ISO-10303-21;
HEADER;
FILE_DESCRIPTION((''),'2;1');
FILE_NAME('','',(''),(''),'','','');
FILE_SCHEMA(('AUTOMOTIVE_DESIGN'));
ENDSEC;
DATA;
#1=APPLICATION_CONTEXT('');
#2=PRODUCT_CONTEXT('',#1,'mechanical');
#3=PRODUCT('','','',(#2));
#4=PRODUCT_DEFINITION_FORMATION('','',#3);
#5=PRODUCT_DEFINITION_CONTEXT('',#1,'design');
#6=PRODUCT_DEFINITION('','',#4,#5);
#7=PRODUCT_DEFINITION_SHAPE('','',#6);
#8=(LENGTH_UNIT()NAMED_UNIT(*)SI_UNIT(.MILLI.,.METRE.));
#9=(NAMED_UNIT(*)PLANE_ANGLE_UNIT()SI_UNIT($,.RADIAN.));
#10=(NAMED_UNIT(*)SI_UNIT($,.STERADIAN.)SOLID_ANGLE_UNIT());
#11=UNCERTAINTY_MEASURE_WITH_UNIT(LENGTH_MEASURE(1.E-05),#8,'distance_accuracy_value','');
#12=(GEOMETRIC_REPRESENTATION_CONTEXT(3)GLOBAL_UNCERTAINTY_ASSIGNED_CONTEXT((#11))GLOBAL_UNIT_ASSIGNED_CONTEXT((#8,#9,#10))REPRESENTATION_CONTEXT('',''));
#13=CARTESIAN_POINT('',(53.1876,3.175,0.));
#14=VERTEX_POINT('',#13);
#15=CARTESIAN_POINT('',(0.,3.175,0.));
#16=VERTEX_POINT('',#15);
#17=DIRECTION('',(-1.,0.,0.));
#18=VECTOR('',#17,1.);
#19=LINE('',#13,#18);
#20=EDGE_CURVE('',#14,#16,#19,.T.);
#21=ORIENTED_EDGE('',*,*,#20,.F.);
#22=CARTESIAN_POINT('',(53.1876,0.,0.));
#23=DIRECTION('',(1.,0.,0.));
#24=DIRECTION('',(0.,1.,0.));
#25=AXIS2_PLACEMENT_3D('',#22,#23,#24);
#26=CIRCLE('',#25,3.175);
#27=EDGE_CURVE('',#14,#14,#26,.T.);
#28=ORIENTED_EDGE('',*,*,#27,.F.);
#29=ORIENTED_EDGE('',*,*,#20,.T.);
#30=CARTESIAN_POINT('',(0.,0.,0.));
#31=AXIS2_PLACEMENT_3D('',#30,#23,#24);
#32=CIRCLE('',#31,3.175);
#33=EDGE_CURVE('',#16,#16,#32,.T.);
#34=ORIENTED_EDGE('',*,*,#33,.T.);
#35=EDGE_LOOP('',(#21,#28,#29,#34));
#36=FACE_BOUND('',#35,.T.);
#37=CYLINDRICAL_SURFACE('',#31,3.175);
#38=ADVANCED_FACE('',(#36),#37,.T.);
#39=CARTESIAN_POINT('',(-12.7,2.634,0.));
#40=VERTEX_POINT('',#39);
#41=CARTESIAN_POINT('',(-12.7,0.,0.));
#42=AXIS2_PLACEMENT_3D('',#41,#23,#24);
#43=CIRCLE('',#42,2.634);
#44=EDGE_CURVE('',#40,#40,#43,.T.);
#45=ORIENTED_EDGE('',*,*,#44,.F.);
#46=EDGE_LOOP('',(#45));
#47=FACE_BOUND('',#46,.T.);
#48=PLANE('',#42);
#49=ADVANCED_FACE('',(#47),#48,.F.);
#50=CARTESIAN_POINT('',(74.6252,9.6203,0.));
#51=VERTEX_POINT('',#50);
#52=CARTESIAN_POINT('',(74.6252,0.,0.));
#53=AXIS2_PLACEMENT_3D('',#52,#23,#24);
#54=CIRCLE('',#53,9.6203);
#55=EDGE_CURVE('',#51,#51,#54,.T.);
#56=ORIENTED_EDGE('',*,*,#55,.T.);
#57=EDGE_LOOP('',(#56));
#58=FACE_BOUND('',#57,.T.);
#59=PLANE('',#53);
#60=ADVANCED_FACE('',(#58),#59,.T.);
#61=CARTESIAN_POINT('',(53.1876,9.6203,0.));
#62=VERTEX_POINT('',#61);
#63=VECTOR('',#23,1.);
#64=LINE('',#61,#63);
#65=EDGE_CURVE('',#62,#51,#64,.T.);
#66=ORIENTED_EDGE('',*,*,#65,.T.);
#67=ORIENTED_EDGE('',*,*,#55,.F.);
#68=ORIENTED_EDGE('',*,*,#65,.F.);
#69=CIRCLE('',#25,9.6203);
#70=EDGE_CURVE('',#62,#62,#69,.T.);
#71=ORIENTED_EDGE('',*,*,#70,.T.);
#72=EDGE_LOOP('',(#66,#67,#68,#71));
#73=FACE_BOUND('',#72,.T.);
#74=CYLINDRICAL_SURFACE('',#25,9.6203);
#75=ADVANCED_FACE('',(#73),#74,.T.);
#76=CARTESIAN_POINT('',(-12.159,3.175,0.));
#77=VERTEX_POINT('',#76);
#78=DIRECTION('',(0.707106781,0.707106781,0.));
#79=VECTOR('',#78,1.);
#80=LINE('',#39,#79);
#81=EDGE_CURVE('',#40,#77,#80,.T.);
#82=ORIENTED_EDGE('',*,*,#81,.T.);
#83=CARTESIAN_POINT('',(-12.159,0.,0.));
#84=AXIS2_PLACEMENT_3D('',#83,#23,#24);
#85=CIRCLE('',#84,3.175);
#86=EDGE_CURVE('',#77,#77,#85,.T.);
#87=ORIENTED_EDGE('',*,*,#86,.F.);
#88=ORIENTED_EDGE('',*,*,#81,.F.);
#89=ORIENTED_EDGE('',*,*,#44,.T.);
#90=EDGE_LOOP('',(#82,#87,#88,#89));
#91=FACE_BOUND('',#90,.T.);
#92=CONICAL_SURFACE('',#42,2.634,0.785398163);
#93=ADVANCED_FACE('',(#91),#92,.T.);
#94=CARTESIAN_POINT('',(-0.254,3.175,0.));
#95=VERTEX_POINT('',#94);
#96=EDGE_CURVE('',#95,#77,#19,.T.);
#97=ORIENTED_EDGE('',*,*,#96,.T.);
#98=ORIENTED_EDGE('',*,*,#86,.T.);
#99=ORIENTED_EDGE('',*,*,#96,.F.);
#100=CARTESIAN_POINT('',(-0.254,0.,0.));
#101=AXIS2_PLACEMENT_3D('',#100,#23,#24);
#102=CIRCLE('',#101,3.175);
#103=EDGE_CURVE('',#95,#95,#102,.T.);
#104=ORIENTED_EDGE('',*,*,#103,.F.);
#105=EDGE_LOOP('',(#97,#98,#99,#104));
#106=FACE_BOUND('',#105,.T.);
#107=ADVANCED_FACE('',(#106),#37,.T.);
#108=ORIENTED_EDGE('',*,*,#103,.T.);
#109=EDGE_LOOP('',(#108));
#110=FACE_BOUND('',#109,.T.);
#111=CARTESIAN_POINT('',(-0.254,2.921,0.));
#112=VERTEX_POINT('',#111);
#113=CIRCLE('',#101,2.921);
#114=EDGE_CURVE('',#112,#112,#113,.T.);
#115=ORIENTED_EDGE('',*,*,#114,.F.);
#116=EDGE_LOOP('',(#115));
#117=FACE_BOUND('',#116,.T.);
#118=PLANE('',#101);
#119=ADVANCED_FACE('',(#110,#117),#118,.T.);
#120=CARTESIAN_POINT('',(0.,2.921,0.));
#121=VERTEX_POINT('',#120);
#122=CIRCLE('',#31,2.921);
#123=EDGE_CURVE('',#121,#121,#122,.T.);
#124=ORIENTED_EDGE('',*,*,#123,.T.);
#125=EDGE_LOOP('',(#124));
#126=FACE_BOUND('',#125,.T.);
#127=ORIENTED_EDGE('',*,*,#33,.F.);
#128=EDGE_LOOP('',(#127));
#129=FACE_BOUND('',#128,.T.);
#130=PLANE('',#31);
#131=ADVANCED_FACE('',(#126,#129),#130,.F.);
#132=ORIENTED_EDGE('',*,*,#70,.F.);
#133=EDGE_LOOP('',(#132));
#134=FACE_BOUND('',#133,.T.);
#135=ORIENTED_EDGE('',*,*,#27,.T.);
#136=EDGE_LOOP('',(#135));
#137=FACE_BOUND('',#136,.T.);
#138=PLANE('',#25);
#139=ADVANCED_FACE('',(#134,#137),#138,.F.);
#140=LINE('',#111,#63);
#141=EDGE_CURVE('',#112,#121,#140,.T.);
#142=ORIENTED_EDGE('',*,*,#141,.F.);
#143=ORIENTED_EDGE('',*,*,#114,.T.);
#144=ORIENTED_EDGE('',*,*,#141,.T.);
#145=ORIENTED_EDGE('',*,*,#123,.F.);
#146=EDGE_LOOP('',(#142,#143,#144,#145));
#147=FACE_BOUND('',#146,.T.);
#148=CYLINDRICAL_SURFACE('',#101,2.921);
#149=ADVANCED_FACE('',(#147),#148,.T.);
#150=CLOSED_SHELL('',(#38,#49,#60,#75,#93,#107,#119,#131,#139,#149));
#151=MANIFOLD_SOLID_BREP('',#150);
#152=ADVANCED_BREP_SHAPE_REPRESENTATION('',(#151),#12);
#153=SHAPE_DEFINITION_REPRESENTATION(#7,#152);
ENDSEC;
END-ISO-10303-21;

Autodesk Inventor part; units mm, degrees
sketch "Sketch_1" plane through (0, 0, 0) normal (0, 0, 1) x (1, 0, 0)
  line L0 (74.6252, 0) -> (0, 0)
  line L1 (0, 0) -> (0, 3.175)
  line L2 (0, 3.175) -> (53.1876, 3.175)
  line L3 (53.1876, 3.175) -> (53.1876, 9.6203)
  line L4 (53.1876, 9.6203) -> (74.6252, 9.6203)
  line L5 (74.6252, 9.6203) -> (74.6252, 0)
  line L6 (74.6252, 0) -> (0, 0)
revolve "Revolution1" add sketch "Sketch_1" angle 360 about axis through (74.6252, 0, 0) along (1, 0, 0)
sketch "Sketch_3" plane through (0, 0, 0) normal (0, 0, 1) x (1, 0, 0)
  line L0 (0, 0) -> (-12.7, 0)
  line L1 (-12.7, 0) -> (-12.7, 2.634)
  line L2 (-12.7, 2.634) -> (-12.159, 3.175)
  line L3 (-12.159, 3.175) -> (0, 3.175)
  line L4 (0, 3.175) -> (0, 0)
  line L5 (0, 0) -> (-12.7, 0)
revolve "Revolution2" add sketch "Sketch_3" angle 360 about axis through (0, 0, 0) along (1, 0, 0)
sketch "Sketch_30" plane through (0, 0, 0) normal (0, 0, 1) x (1, 0, 0)
  line L0 (0, 0) -> (-0.254, 0)
  line L1 (-0.254, 3.429) -> (-0.254, 2.921)
  line L2 (-0.254, 2.921) -> (0, 2.921)
  line L3 (0, 2.921) -> (0, 3.429)
  line L4 (0, 3.429) -> (-0.254, 3.429)
revolve "Revolution3" cut sketch "Sketch_30" angle 360 about axis through (0, 0, 0) along (1, 0, 0)
ref_plane "dia1_XY" through (0, 3.175, 0) normal (1, 0, 0) x (0, 0, -1)
ref_plane "dia1_YZ" through (0, 3.175, 0) normal (0, 0, -1) x (0, 1, 0)
ref_plane "dia1_ZX" through (0, 3.175, 0) normal (0, 1, 0) x (1, 0, 0)
ref_plane "dia12_XY" through (0, 0, 10.9537) normal (1, 0, 0) x (0, 0, -1)
ref_plane "dia12_YZ" through (0, 0, 10.9537) normal (0, 0, -1) x (0, 1, 0)
ref_plane "dia12_ZX" through (0, 0, 10.9537) normal (0, 1, 0) x (1, 0, 0)
ref_plane "dia2_XY" through (0, -3.175, 0) normal (1, 0, 0) x (0, 0, -1)
ref_plane "dia2_YZ" through (0, -3.175, 0) normal (0, 0, -1) x (0, 1, 0)
ref_plane "dia2_ZX" through (0, -3.175, 0) normal (0, 1, 0) x (1, 0, 0)
ref_plane "dia22_XY" through (0, 0, -10.9537) normal (1, 0, 0) x (0, 0, -1)
ref_plane "dia22_YZ" through (0, 0, -10.9537) normal (0, 0, -1) x (0, 1, 0)
ref_plane "dia22_ZX" through (0, 0, -10.9537) normal (0, 1, 0) x (1, 0, 0)
ref_plane "rl1_XY" through (-12.7, 0, 0) normal (1, 0, 0) x (0, 0, -1)
ref_plane "rl1_YZ" through (-12.7, 0, 0) normal (0, 0, -1) x (0, 1, 0)
ref_plane "rl1_ZX" through (-12.7, 0, 0) normal (0, 1, 0) x (1, 0, 0)
ref_plane "rl2_XY" through (0, 0, 0) normal (1, 0, 0) x (0, 0, -1)
ref_plane "rl2_YZ" through (0, 0, 0) normal (0, 0, -1) x (0, 1, 0)
ref_plane "rl2_ZX" through (0, 0, 0) normal (0, 1, 0) x (1, 0, 0)
ref_plane "rod_cp_XY" through (0, 0, 0) normal (1, 0, 0) x (0, 0, -1)
ref_plane "rod_cp_YZ" through (0, 0, 0) normal (0, 0, -1) x (0, 1, 0)
ref_plane "rod_cp_ZX" through (0, 0, 0) normal (0, 1, 0) x (1, 0, 0)
ref_plane "thd1_XY" through (-12.7, 3.175, 0) normal (1, 0, 0) x (0, 0, -1)
ref_plane "thd1_YZ" through (-12.7, 3.175, 0) normal (0, 0, -1) x (0, 1, 0)
ref_plane "thd1_ZX" through (-12.7, 3.175, 0) normal (0, 1, 0) x (1, 0, 0)
ref_plane "thd2_XY" through (-12.7, -3.175, 0) normal (1, 0, 0) x (0, 0, -1)
ref_plane "thd2_YZ" through (-12.7, -3.175, 0) normal (0, 0, -1) x (0, 1, 0)
ref_plane "thd2_ZX" through (-12.7, -3.175, 0) normal (0, 1, 0) x (1, 0, 0)
ref_plane "to_rod_clevis_XY" through (-16.764, 0, 0) normal (1, 0, 0) x (0, 0, -1)
ref_plane "to_rod_clevis_YZ" through (-16.764, 0, 0) normal (0, 0, -1) x (0, 1, 0)
ref_plane "to_rod_clevis_ZX" through (-16.764, 0, 0) normal (0, 1, 0) x (1, 0, 0)
properties part number "C-040.5-DP0_rod"
